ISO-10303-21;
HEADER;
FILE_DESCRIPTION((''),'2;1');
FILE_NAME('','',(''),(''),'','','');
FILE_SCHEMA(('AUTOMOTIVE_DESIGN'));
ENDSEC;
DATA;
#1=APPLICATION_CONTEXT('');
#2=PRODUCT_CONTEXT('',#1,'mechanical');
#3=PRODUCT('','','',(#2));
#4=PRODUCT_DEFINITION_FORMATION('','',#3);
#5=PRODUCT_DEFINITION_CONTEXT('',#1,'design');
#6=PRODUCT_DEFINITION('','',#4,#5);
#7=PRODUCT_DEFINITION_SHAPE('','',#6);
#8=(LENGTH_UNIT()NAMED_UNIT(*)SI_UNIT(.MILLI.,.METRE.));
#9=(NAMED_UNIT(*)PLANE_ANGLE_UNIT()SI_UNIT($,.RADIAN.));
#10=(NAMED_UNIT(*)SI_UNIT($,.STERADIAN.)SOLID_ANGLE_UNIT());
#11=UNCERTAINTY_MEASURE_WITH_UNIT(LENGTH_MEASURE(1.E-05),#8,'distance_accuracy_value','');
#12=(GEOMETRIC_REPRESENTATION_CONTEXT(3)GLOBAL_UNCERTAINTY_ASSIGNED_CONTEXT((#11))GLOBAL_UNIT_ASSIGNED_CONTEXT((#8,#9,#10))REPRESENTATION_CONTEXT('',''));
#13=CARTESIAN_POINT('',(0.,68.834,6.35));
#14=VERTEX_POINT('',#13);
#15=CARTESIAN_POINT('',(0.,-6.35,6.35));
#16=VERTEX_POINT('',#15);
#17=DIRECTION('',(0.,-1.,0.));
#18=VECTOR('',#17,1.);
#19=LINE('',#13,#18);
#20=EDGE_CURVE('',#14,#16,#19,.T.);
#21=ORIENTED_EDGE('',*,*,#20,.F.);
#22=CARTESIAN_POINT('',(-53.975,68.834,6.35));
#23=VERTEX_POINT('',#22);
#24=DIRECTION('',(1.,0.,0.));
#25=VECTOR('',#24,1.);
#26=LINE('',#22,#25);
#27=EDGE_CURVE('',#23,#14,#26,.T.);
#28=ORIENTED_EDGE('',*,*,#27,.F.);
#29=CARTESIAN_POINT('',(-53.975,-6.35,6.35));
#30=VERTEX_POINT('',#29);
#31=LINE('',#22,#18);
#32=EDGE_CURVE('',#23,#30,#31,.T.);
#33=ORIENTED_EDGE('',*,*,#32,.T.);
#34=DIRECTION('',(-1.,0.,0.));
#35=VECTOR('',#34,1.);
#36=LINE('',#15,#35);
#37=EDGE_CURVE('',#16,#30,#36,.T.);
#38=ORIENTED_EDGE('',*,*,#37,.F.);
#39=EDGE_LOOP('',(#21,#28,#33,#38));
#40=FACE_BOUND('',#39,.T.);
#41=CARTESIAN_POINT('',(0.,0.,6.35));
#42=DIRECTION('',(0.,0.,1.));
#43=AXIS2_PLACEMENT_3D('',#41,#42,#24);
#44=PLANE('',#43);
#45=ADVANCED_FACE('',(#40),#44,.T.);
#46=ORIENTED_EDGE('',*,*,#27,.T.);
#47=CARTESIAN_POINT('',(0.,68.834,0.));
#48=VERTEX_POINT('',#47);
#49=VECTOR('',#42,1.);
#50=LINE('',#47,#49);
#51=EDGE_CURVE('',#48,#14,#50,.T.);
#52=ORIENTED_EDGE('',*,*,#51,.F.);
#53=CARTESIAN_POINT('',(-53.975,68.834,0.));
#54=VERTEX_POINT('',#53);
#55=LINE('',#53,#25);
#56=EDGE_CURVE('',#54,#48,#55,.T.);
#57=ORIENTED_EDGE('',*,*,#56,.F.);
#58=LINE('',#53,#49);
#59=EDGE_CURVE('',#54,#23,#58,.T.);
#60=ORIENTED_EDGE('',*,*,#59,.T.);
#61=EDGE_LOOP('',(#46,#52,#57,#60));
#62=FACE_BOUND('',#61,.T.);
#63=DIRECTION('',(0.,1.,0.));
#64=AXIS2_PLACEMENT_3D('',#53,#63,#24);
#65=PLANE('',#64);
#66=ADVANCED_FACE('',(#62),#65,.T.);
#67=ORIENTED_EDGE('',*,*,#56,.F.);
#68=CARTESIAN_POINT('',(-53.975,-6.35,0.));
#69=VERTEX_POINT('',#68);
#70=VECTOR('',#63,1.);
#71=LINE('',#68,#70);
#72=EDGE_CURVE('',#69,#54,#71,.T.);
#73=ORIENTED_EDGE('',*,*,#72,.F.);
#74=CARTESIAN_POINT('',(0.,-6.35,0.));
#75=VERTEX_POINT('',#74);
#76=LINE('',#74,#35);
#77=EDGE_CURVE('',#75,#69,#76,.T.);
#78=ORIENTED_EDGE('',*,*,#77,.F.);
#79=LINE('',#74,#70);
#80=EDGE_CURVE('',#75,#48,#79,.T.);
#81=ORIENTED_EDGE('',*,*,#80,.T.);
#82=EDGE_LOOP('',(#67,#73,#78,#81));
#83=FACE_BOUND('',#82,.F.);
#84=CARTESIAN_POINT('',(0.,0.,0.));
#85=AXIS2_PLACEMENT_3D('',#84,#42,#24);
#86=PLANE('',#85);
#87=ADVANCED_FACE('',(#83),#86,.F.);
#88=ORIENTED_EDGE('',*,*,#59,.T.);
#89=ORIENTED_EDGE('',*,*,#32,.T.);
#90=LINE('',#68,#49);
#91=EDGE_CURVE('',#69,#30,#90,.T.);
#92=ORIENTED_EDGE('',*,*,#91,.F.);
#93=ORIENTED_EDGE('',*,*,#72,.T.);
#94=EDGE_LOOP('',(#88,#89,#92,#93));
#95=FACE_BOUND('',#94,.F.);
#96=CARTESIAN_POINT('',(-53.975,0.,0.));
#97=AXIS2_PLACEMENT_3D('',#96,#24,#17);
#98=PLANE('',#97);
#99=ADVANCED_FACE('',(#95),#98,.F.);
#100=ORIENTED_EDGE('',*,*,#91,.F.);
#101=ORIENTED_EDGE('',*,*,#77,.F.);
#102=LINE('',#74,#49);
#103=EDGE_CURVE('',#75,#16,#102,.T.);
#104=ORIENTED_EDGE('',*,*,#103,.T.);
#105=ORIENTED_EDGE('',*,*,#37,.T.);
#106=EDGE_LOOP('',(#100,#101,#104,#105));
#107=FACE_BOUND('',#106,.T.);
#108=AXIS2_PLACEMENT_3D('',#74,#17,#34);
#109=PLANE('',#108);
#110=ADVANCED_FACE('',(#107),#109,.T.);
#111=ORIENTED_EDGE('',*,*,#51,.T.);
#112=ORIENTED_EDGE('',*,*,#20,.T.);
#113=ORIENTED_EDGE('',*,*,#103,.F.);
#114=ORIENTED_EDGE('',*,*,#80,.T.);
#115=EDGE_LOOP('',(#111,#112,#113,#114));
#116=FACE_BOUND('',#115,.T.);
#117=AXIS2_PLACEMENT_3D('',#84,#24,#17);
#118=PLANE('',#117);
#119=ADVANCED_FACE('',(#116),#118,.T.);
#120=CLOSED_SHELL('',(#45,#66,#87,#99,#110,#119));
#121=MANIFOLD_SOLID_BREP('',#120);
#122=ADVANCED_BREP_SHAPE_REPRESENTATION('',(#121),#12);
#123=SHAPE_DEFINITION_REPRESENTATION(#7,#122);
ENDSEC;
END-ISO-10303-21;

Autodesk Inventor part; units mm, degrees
ref_plane "YZ Plane" through (0, 0, 0) normal (1, 0, 0) x (0, 1, 0)
ref_plane "XZ Plane" through (0, 0, 0) normal (0, 1, 0) x (-1, 0, 0)
ref_plane "XY Plane" through (0, 0, 0) normal (0, 0, 1) x (1, 0, 0)
sketch "Sketch1" plane through (0, 0, 0) normal (0, 0, 1) x (1, 0, 0)
  line L0 (-53.975, 0) -> (-53.975, -6.35) projected
  line L1 (0, -6.35) -> (-53.975, -6.35) projected
  line L2 (0, 0) -> (0, -6.35) projected
  line L3 (-53.975, 0) -> (0, 0) projected
  line L4 (-53.975, 68.834) -> (-53.975, 62.484) projected
  line L5 (0, 62.484) -> (-53.975, 62.484) projected
  line L6 (0, 68.834) -> (0, 62.484) projected
  line L7 (-53.975, 68.834) -> (0, 68.834) projected
  line L8 (-53.975, 68.834) -> (0, 68.834)
  line L9 (0, 68.834) -> (0, -6.35)
  line L10 (0, -6.35) -> (-53.975, -6.35)
  line L11 (-53.975, -6.35) -> (-53.975, 68.834)
extrude "Extrusion1" add sketch "Sketch1" along normal blind 6.35
properties part number "topOfLiftFrame"
